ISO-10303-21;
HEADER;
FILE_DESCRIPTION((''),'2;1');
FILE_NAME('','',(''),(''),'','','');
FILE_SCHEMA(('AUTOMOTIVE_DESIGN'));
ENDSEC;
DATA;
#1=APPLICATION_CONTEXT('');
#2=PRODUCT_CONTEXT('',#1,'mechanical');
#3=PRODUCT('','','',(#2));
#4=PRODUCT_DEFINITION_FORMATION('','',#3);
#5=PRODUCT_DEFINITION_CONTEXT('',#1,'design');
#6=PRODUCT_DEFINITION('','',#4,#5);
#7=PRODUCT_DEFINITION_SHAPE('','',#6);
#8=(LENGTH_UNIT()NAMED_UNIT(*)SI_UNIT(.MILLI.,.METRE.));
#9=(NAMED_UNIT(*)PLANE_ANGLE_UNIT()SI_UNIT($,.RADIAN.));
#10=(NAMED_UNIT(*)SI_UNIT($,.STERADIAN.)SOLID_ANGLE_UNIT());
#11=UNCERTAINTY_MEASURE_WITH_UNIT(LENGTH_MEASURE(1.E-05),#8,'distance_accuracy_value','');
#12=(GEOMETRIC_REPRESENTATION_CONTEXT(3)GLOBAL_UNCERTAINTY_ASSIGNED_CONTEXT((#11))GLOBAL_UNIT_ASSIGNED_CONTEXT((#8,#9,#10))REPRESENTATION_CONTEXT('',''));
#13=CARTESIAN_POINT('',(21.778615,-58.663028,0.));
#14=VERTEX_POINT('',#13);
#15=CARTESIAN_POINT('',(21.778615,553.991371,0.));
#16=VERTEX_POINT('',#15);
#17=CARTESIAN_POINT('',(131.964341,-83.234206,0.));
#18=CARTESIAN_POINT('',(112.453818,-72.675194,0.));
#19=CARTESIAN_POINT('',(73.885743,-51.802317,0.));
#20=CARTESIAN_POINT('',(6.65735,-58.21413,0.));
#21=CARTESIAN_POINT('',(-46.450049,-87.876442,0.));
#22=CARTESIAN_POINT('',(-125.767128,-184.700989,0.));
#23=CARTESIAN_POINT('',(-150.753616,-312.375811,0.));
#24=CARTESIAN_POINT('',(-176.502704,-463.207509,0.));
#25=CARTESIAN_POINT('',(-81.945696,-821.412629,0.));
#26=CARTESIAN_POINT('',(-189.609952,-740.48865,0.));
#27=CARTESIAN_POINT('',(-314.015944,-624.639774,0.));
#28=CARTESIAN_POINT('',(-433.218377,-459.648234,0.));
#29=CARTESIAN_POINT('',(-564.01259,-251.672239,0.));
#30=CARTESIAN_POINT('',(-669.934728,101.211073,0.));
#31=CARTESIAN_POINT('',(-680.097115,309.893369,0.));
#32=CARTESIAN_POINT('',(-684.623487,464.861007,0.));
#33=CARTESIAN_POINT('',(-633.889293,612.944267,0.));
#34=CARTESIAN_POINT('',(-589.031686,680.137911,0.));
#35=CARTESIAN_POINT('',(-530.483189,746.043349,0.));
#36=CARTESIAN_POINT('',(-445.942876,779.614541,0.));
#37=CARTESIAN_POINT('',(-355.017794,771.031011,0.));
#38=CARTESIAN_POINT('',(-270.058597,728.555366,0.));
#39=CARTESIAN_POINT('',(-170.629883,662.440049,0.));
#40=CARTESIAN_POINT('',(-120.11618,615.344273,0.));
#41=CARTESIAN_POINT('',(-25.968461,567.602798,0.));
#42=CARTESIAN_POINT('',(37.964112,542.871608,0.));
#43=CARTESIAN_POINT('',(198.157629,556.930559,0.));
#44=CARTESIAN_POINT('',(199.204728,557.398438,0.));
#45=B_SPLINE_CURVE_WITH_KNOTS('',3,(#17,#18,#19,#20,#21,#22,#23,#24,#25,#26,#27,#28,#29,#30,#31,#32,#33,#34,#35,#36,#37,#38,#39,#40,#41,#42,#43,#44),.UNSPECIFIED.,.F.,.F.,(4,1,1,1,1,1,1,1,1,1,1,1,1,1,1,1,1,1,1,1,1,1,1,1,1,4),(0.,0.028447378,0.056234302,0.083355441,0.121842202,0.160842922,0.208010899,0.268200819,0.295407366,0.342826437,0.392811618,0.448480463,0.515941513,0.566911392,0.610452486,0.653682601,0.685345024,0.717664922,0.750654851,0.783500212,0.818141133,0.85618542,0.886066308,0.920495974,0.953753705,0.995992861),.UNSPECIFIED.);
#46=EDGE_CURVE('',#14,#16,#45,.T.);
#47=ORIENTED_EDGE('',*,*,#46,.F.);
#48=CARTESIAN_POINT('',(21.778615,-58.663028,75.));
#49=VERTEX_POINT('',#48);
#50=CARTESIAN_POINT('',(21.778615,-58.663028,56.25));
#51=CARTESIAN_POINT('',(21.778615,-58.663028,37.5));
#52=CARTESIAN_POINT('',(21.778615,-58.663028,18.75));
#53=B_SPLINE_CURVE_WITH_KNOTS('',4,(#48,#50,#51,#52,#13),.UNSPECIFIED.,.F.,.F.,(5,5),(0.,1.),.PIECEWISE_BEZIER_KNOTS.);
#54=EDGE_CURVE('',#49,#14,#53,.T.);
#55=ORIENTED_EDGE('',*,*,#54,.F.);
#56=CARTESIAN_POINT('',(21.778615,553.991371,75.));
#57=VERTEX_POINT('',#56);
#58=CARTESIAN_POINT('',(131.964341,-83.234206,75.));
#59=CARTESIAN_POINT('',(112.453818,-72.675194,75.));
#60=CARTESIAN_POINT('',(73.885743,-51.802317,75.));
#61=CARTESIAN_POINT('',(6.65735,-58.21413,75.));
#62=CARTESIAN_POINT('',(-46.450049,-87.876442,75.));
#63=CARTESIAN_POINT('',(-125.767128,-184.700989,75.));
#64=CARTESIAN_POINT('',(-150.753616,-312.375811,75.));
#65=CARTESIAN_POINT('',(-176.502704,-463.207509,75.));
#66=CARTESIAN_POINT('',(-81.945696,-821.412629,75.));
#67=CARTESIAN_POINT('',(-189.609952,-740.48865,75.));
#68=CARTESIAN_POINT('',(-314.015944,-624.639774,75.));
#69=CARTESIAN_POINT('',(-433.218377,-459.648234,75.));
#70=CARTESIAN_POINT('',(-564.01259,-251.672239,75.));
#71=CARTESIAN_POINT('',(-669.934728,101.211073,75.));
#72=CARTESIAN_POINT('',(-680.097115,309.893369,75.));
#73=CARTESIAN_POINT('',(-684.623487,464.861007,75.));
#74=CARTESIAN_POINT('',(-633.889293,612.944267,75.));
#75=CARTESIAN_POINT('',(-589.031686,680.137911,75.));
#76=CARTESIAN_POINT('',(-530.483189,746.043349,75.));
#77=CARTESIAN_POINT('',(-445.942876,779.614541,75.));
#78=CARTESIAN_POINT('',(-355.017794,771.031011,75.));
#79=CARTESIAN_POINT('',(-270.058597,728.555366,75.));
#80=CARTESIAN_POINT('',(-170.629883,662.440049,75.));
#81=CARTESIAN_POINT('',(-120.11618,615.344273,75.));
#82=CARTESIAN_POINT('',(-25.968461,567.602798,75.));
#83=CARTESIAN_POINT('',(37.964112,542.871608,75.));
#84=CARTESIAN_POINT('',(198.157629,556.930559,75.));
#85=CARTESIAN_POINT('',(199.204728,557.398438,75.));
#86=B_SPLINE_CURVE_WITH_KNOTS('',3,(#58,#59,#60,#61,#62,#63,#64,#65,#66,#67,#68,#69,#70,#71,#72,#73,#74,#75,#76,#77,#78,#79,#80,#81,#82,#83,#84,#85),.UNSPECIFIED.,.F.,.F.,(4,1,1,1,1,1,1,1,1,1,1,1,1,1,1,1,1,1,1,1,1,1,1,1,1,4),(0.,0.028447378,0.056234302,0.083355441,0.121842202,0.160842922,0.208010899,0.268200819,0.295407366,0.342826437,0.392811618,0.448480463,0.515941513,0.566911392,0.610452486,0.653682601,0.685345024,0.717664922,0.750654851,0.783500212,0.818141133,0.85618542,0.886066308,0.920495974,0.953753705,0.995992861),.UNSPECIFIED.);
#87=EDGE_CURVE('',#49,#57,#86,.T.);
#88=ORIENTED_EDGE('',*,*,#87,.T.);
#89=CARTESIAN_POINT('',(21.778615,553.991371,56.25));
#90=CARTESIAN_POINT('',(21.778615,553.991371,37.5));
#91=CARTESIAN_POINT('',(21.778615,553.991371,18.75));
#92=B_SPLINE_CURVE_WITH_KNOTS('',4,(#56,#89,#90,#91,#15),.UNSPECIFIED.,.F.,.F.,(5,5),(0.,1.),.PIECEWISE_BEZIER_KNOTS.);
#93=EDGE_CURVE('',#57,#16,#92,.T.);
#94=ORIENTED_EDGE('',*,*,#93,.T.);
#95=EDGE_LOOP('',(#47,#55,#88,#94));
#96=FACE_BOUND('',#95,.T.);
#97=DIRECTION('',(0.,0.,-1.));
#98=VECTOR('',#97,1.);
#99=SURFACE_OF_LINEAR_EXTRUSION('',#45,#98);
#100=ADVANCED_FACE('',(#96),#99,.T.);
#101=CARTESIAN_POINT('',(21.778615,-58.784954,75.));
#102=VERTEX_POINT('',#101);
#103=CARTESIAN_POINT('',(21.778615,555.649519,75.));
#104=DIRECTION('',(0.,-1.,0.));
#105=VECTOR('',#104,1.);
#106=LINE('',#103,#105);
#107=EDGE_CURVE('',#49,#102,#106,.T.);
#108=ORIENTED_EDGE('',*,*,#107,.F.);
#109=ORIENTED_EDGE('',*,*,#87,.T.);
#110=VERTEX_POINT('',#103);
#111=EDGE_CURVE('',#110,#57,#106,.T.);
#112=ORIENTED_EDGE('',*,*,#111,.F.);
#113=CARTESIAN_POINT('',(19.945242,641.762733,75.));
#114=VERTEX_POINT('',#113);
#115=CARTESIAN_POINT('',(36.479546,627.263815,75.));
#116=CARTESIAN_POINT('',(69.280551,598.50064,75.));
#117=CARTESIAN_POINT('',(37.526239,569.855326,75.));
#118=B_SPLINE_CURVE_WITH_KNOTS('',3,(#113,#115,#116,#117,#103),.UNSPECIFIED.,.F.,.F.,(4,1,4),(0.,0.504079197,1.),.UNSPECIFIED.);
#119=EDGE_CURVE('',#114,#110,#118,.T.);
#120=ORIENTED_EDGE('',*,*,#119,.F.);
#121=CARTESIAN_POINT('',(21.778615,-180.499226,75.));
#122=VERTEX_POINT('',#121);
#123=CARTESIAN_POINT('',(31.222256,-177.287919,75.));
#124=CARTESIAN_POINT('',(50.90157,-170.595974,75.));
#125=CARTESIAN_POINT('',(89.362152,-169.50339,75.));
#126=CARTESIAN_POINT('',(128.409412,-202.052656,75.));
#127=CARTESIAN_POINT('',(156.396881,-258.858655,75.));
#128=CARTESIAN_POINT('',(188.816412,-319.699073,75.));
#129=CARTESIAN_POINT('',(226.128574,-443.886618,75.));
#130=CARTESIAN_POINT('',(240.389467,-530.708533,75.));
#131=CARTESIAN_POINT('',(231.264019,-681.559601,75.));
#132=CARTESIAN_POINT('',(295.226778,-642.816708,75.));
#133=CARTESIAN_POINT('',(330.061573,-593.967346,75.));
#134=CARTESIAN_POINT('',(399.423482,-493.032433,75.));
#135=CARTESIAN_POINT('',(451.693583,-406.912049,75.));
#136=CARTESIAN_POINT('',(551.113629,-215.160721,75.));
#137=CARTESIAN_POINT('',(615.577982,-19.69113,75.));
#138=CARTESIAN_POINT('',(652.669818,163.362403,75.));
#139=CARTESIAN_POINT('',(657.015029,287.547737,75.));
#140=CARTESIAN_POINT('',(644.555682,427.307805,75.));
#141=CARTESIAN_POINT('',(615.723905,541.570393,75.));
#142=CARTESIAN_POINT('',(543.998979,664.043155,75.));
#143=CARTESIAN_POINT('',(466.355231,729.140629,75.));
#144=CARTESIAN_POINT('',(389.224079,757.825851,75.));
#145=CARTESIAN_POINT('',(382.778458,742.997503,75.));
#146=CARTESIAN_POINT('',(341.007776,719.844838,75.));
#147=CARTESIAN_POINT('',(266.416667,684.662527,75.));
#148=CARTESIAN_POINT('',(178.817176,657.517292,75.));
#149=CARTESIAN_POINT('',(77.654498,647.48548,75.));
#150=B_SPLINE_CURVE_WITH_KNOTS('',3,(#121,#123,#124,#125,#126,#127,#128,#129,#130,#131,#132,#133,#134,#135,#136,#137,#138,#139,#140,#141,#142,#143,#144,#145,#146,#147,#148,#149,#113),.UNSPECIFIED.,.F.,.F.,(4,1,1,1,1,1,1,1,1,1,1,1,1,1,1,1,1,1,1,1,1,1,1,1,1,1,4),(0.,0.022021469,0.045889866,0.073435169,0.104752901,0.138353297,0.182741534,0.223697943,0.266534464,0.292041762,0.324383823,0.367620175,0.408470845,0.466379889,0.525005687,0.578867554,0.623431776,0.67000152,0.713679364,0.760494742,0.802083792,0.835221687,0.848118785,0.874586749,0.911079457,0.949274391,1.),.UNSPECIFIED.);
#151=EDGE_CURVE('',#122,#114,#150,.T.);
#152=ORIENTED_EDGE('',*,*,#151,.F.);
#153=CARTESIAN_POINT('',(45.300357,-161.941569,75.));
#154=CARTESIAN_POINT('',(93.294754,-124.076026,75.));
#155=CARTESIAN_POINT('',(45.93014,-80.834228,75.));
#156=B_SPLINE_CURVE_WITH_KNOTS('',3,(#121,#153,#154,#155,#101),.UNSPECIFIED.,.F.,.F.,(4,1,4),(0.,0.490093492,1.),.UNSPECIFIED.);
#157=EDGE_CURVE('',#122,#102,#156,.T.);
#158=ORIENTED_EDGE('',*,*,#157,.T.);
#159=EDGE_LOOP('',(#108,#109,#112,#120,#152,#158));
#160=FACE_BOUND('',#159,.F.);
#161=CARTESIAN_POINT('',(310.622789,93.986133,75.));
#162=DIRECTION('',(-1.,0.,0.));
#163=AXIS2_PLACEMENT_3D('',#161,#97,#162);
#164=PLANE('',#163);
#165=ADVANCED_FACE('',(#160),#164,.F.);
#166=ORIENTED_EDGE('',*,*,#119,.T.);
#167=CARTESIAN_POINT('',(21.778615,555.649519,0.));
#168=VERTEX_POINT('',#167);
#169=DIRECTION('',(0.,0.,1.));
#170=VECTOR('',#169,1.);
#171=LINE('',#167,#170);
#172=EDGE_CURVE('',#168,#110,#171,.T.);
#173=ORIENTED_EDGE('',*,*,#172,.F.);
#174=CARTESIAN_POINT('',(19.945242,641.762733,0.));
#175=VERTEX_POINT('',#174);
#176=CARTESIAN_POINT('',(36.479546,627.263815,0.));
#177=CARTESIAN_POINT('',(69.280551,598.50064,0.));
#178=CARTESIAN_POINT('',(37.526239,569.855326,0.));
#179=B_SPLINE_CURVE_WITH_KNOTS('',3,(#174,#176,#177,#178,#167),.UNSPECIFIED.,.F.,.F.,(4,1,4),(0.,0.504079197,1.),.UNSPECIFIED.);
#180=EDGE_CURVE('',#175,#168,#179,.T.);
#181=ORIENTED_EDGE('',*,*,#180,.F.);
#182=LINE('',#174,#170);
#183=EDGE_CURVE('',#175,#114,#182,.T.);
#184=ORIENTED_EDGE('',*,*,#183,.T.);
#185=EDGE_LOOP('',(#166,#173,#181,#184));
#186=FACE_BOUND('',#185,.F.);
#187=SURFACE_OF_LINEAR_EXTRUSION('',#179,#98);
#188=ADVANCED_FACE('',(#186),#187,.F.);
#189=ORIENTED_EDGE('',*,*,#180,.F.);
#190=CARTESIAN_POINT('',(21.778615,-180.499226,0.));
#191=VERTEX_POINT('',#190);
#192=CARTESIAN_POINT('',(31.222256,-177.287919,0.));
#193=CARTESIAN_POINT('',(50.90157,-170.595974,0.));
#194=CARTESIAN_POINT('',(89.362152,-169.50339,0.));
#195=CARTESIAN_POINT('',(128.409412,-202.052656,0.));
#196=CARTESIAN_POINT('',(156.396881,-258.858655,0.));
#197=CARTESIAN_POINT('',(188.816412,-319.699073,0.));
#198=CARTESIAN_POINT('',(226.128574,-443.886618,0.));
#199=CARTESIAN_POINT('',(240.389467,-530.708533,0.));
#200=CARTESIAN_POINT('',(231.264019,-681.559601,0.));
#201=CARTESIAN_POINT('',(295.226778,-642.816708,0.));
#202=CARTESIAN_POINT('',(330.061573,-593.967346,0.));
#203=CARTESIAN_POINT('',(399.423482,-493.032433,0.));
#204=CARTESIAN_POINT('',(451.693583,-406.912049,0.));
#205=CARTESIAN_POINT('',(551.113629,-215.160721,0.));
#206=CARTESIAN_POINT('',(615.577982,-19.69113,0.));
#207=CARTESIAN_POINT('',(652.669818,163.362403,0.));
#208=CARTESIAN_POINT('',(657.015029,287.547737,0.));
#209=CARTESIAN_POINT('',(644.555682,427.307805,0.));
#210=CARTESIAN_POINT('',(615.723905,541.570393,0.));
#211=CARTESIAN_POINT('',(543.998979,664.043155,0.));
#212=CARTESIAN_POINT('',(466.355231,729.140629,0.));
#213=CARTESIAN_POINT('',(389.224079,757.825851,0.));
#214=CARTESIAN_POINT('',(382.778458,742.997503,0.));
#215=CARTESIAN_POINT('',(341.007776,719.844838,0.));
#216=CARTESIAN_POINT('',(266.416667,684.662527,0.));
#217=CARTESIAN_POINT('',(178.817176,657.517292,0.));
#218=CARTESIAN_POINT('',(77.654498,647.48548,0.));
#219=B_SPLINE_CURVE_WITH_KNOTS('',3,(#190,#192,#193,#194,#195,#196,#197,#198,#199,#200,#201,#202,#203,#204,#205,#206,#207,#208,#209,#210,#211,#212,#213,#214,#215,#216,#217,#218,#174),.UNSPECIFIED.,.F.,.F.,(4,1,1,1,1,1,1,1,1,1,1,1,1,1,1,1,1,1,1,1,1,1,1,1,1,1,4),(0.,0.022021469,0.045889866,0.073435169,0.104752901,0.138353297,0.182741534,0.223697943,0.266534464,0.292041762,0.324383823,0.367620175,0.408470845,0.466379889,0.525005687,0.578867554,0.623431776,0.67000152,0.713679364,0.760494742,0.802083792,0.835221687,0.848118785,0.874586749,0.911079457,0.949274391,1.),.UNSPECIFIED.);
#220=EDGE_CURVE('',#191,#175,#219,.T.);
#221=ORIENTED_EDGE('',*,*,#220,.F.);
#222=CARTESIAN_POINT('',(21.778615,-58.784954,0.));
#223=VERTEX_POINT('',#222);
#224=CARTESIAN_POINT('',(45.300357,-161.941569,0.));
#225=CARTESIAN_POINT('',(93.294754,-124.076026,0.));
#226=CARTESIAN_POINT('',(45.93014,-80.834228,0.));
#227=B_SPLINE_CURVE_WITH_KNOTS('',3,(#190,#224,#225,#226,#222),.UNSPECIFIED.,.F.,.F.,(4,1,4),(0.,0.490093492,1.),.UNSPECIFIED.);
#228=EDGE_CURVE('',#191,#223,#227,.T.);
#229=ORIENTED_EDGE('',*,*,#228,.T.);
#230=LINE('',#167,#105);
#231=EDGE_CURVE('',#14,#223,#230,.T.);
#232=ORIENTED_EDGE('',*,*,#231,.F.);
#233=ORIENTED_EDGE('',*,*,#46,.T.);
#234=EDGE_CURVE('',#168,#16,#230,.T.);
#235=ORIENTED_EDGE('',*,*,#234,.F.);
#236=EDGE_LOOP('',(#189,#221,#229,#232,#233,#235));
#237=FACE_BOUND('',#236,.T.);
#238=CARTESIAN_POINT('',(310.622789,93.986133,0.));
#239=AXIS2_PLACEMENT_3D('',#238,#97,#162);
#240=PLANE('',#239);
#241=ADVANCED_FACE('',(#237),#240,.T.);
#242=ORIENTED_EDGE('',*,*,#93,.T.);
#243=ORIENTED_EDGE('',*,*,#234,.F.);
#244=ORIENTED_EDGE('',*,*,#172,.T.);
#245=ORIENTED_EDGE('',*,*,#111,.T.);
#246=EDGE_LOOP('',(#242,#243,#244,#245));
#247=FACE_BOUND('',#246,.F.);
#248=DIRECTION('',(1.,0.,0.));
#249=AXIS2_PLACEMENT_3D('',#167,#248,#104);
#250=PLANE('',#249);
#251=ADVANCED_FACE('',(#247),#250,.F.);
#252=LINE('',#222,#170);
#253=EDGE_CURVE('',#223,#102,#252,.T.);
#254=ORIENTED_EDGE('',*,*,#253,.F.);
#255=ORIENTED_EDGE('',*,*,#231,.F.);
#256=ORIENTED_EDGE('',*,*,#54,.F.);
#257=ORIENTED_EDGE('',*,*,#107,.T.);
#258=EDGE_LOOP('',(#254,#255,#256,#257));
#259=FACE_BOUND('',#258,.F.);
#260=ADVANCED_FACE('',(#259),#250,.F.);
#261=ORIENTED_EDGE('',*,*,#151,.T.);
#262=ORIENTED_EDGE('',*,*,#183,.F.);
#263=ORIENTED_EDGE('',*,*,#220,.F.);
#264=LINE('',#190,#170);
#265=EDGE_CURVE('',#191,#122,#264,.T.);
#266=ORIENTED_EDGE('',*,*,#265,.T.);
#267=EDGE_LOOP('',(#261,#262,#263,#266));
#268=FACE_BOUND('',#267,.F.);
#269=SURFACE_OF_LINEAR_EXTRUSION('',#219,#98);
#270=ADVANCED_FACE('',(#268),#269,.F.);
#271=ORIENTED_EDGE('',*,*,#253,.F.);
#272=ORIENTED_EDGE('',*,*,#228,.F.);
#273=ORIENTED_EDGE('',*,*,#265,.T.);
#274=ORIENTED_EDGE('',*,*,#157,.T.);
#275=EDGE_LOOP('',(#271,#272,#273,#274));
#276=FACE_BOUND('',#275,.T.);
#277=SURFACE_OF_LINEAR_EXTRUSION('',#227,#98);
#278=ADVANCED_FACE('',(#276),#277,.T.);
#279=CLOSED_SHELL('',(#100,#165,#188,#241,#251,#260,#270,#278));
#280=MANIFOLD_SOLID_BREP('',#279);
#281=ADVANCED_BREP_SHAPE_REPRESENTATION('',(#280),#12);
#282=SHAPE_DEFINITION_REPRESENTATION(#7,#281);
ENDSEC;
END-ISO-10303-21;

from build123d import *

# Parameters (mm, degrees)
F2_DEPTH = 75
F3_DEPTH = 75


with BuildPart() as f2:
    # F0 (on Top) → F2 (new body)
    with BuildSketch(Plane.XY):
        with BuildLine():
            add(Edge.make_bspline(
                [(131.964340806, -83.234205842), (112.4538179303, -72.6751942263), (73.885742882, -51.802316804), (6.6573498636, -58.2141301705), (-46.4500485441, -87.8764421769), (-125.7671283838, -184.7009892826), (-150.753615895, -312.3758108425), (-176.5027036894, -463.2075093139), (-81.9456959989, -821.4126293537), (-189.6099517072, -740.4886502482), (-314.0159435827, -624.6397739889), (-433.218377131, -459.6482344116), (-564.0125904776, -251.6722391321), (-669.9347276011, 101.2110734438), (-680.0971148701, 309.8933685202), (-684.623487114, 464.8610065534), (-633.8892927829, 612.9442668309), (-589.0316859487, 680.1379113439), (-530.4831886517, 746.0433494352), (-445.9428756901, 779.6145410921), (-355.0177935995, 771.0310110749), (-270.0585967672, 728.5553661642), (-170.6298828838, 662.440048789), (-120.1161795657, 615.3442727908), (-25.9684608204, 567.6027983822), (37.9641117324, 542.8716075743), (198.1576285988, 556.9305593796), (199.2047280073, 557.3984384537)],
                knots=[0, 0, 0, 0, 0.0284473785, 0.0562343017, 0.0833554414, 0.1218422025, 0.1608429216, 0.2080108985, 0.268200819, 0.2954073655, 0.3428264366, 0.3928116183, 0.4484804628, 0.5159415127, 0.5669113925, 0.6104524856, 0.6536826005, 0.6853450241, 0.7176649222, 0.7506548505, 0.7835002115, 0.8181411331, 0.8561854202, 0.8860663083, 0.9204959736, 0.9537537051, 0.9959928607, 0.9959928607, 0.9959928607, 0.9959928607], degree=3))
            Line((131.964340806, -83.234205842), (199.2047280073, 557.3984384537))
        make_face()
    extrude(amount=F2_DEPTH)

    # F1 (on Top) → F3 (join)
    with BuildSketch(Plane.XY):
        with BuildLine():
            add(Edge.make_bspline(
                [(21.7786151916, -180.4992258549), (45.3003568106, -161.9415694179), (93.2947537815, -124.0760259428), (45.9301399978, -80.8342282837), (21.7786151916, -58.7849542499)],
                knots=[0, 0, 0, 0, 0.4900934922, 1, 1, 1, 1], degree=3))
            add(Edge.make_bspline(
                [(21.7786151916, -180.4992258549), (31.2222558615, -177.2879187469), (50.9015697622, -170.5959741021), (89.3621517005, -169.5033895879), (128.4094116449, -202.0526555629), (156.3968814778, -258.858654579), (188.8164116545, -319.6990727343), (226.1285735268, -443.8866176084), (240.3894674181, -530.7085325997), (231.2640191741, -681.5596012107), (295.2267779567, -642.8167081608), (330.0615725395, -593.96734621), (399.4234817804, -493.0324326547), (451.6935825017, -406.9120486777), (551.113629486, -215.1607208755), (615.577981555, -19.691129658), (652.6698182286, 163.3624028905), (657.0150289474, 287.5477368073), (644.5556818748, 427.3078052831), (615.723904699, 541.5703928589), (543.9989786181, 664.0431548537), (466.3552314687, 729.1406287211), (389.2240786804, 757.8258506854), (382.7784583141, 742.9975025386), (341.0077761174, 719.8448377409), (266.4166670863, 684.6625269007), (178.8171755833, 657.5172915552), (77.6544977528, 647.4854801197), (19.9452415109, 641.7627334595)],
                knots=[0, 0, 0, 0, 0.0220214693, 0.0458898661, 0.0734351689, 0.104752901, 0.1383532975, 0.182741534, 0.2236979432, 0.2665344642, 0.2920417616, 0.324383823, 0.3676201747, 0.4084708447, 0.4663798887, 0.5250056875, 0.5788675544, 0.6234317756, 0.6700015203, 0.7136793644, 0.7604947422, 0.8020837916, 0.8352216866, 0.8481187852, 0.8745867491, 0.9110794569, 0.9492743913, 1, 1, 1, 1], degree=3))
            add(Edge.make_bspline(
                [(19.9452415109, 641.7627334595), (36.4795456937, 627.2638153579), (69.2805505297, 598.5006404759), (37.5262389063, 569.8553262139), (21.7786151916, 555.6495189667)],
                knots=[0, 0, 0, 0, 0.5040791971, 1, 1, 1, 1], degree=3))
            Line((21.7786151916, 555.6495189667), (21.7786151916, -58.7849542499))
        make_face()
    extrude(amount=F3_DEPTH)


solid = f2.part
